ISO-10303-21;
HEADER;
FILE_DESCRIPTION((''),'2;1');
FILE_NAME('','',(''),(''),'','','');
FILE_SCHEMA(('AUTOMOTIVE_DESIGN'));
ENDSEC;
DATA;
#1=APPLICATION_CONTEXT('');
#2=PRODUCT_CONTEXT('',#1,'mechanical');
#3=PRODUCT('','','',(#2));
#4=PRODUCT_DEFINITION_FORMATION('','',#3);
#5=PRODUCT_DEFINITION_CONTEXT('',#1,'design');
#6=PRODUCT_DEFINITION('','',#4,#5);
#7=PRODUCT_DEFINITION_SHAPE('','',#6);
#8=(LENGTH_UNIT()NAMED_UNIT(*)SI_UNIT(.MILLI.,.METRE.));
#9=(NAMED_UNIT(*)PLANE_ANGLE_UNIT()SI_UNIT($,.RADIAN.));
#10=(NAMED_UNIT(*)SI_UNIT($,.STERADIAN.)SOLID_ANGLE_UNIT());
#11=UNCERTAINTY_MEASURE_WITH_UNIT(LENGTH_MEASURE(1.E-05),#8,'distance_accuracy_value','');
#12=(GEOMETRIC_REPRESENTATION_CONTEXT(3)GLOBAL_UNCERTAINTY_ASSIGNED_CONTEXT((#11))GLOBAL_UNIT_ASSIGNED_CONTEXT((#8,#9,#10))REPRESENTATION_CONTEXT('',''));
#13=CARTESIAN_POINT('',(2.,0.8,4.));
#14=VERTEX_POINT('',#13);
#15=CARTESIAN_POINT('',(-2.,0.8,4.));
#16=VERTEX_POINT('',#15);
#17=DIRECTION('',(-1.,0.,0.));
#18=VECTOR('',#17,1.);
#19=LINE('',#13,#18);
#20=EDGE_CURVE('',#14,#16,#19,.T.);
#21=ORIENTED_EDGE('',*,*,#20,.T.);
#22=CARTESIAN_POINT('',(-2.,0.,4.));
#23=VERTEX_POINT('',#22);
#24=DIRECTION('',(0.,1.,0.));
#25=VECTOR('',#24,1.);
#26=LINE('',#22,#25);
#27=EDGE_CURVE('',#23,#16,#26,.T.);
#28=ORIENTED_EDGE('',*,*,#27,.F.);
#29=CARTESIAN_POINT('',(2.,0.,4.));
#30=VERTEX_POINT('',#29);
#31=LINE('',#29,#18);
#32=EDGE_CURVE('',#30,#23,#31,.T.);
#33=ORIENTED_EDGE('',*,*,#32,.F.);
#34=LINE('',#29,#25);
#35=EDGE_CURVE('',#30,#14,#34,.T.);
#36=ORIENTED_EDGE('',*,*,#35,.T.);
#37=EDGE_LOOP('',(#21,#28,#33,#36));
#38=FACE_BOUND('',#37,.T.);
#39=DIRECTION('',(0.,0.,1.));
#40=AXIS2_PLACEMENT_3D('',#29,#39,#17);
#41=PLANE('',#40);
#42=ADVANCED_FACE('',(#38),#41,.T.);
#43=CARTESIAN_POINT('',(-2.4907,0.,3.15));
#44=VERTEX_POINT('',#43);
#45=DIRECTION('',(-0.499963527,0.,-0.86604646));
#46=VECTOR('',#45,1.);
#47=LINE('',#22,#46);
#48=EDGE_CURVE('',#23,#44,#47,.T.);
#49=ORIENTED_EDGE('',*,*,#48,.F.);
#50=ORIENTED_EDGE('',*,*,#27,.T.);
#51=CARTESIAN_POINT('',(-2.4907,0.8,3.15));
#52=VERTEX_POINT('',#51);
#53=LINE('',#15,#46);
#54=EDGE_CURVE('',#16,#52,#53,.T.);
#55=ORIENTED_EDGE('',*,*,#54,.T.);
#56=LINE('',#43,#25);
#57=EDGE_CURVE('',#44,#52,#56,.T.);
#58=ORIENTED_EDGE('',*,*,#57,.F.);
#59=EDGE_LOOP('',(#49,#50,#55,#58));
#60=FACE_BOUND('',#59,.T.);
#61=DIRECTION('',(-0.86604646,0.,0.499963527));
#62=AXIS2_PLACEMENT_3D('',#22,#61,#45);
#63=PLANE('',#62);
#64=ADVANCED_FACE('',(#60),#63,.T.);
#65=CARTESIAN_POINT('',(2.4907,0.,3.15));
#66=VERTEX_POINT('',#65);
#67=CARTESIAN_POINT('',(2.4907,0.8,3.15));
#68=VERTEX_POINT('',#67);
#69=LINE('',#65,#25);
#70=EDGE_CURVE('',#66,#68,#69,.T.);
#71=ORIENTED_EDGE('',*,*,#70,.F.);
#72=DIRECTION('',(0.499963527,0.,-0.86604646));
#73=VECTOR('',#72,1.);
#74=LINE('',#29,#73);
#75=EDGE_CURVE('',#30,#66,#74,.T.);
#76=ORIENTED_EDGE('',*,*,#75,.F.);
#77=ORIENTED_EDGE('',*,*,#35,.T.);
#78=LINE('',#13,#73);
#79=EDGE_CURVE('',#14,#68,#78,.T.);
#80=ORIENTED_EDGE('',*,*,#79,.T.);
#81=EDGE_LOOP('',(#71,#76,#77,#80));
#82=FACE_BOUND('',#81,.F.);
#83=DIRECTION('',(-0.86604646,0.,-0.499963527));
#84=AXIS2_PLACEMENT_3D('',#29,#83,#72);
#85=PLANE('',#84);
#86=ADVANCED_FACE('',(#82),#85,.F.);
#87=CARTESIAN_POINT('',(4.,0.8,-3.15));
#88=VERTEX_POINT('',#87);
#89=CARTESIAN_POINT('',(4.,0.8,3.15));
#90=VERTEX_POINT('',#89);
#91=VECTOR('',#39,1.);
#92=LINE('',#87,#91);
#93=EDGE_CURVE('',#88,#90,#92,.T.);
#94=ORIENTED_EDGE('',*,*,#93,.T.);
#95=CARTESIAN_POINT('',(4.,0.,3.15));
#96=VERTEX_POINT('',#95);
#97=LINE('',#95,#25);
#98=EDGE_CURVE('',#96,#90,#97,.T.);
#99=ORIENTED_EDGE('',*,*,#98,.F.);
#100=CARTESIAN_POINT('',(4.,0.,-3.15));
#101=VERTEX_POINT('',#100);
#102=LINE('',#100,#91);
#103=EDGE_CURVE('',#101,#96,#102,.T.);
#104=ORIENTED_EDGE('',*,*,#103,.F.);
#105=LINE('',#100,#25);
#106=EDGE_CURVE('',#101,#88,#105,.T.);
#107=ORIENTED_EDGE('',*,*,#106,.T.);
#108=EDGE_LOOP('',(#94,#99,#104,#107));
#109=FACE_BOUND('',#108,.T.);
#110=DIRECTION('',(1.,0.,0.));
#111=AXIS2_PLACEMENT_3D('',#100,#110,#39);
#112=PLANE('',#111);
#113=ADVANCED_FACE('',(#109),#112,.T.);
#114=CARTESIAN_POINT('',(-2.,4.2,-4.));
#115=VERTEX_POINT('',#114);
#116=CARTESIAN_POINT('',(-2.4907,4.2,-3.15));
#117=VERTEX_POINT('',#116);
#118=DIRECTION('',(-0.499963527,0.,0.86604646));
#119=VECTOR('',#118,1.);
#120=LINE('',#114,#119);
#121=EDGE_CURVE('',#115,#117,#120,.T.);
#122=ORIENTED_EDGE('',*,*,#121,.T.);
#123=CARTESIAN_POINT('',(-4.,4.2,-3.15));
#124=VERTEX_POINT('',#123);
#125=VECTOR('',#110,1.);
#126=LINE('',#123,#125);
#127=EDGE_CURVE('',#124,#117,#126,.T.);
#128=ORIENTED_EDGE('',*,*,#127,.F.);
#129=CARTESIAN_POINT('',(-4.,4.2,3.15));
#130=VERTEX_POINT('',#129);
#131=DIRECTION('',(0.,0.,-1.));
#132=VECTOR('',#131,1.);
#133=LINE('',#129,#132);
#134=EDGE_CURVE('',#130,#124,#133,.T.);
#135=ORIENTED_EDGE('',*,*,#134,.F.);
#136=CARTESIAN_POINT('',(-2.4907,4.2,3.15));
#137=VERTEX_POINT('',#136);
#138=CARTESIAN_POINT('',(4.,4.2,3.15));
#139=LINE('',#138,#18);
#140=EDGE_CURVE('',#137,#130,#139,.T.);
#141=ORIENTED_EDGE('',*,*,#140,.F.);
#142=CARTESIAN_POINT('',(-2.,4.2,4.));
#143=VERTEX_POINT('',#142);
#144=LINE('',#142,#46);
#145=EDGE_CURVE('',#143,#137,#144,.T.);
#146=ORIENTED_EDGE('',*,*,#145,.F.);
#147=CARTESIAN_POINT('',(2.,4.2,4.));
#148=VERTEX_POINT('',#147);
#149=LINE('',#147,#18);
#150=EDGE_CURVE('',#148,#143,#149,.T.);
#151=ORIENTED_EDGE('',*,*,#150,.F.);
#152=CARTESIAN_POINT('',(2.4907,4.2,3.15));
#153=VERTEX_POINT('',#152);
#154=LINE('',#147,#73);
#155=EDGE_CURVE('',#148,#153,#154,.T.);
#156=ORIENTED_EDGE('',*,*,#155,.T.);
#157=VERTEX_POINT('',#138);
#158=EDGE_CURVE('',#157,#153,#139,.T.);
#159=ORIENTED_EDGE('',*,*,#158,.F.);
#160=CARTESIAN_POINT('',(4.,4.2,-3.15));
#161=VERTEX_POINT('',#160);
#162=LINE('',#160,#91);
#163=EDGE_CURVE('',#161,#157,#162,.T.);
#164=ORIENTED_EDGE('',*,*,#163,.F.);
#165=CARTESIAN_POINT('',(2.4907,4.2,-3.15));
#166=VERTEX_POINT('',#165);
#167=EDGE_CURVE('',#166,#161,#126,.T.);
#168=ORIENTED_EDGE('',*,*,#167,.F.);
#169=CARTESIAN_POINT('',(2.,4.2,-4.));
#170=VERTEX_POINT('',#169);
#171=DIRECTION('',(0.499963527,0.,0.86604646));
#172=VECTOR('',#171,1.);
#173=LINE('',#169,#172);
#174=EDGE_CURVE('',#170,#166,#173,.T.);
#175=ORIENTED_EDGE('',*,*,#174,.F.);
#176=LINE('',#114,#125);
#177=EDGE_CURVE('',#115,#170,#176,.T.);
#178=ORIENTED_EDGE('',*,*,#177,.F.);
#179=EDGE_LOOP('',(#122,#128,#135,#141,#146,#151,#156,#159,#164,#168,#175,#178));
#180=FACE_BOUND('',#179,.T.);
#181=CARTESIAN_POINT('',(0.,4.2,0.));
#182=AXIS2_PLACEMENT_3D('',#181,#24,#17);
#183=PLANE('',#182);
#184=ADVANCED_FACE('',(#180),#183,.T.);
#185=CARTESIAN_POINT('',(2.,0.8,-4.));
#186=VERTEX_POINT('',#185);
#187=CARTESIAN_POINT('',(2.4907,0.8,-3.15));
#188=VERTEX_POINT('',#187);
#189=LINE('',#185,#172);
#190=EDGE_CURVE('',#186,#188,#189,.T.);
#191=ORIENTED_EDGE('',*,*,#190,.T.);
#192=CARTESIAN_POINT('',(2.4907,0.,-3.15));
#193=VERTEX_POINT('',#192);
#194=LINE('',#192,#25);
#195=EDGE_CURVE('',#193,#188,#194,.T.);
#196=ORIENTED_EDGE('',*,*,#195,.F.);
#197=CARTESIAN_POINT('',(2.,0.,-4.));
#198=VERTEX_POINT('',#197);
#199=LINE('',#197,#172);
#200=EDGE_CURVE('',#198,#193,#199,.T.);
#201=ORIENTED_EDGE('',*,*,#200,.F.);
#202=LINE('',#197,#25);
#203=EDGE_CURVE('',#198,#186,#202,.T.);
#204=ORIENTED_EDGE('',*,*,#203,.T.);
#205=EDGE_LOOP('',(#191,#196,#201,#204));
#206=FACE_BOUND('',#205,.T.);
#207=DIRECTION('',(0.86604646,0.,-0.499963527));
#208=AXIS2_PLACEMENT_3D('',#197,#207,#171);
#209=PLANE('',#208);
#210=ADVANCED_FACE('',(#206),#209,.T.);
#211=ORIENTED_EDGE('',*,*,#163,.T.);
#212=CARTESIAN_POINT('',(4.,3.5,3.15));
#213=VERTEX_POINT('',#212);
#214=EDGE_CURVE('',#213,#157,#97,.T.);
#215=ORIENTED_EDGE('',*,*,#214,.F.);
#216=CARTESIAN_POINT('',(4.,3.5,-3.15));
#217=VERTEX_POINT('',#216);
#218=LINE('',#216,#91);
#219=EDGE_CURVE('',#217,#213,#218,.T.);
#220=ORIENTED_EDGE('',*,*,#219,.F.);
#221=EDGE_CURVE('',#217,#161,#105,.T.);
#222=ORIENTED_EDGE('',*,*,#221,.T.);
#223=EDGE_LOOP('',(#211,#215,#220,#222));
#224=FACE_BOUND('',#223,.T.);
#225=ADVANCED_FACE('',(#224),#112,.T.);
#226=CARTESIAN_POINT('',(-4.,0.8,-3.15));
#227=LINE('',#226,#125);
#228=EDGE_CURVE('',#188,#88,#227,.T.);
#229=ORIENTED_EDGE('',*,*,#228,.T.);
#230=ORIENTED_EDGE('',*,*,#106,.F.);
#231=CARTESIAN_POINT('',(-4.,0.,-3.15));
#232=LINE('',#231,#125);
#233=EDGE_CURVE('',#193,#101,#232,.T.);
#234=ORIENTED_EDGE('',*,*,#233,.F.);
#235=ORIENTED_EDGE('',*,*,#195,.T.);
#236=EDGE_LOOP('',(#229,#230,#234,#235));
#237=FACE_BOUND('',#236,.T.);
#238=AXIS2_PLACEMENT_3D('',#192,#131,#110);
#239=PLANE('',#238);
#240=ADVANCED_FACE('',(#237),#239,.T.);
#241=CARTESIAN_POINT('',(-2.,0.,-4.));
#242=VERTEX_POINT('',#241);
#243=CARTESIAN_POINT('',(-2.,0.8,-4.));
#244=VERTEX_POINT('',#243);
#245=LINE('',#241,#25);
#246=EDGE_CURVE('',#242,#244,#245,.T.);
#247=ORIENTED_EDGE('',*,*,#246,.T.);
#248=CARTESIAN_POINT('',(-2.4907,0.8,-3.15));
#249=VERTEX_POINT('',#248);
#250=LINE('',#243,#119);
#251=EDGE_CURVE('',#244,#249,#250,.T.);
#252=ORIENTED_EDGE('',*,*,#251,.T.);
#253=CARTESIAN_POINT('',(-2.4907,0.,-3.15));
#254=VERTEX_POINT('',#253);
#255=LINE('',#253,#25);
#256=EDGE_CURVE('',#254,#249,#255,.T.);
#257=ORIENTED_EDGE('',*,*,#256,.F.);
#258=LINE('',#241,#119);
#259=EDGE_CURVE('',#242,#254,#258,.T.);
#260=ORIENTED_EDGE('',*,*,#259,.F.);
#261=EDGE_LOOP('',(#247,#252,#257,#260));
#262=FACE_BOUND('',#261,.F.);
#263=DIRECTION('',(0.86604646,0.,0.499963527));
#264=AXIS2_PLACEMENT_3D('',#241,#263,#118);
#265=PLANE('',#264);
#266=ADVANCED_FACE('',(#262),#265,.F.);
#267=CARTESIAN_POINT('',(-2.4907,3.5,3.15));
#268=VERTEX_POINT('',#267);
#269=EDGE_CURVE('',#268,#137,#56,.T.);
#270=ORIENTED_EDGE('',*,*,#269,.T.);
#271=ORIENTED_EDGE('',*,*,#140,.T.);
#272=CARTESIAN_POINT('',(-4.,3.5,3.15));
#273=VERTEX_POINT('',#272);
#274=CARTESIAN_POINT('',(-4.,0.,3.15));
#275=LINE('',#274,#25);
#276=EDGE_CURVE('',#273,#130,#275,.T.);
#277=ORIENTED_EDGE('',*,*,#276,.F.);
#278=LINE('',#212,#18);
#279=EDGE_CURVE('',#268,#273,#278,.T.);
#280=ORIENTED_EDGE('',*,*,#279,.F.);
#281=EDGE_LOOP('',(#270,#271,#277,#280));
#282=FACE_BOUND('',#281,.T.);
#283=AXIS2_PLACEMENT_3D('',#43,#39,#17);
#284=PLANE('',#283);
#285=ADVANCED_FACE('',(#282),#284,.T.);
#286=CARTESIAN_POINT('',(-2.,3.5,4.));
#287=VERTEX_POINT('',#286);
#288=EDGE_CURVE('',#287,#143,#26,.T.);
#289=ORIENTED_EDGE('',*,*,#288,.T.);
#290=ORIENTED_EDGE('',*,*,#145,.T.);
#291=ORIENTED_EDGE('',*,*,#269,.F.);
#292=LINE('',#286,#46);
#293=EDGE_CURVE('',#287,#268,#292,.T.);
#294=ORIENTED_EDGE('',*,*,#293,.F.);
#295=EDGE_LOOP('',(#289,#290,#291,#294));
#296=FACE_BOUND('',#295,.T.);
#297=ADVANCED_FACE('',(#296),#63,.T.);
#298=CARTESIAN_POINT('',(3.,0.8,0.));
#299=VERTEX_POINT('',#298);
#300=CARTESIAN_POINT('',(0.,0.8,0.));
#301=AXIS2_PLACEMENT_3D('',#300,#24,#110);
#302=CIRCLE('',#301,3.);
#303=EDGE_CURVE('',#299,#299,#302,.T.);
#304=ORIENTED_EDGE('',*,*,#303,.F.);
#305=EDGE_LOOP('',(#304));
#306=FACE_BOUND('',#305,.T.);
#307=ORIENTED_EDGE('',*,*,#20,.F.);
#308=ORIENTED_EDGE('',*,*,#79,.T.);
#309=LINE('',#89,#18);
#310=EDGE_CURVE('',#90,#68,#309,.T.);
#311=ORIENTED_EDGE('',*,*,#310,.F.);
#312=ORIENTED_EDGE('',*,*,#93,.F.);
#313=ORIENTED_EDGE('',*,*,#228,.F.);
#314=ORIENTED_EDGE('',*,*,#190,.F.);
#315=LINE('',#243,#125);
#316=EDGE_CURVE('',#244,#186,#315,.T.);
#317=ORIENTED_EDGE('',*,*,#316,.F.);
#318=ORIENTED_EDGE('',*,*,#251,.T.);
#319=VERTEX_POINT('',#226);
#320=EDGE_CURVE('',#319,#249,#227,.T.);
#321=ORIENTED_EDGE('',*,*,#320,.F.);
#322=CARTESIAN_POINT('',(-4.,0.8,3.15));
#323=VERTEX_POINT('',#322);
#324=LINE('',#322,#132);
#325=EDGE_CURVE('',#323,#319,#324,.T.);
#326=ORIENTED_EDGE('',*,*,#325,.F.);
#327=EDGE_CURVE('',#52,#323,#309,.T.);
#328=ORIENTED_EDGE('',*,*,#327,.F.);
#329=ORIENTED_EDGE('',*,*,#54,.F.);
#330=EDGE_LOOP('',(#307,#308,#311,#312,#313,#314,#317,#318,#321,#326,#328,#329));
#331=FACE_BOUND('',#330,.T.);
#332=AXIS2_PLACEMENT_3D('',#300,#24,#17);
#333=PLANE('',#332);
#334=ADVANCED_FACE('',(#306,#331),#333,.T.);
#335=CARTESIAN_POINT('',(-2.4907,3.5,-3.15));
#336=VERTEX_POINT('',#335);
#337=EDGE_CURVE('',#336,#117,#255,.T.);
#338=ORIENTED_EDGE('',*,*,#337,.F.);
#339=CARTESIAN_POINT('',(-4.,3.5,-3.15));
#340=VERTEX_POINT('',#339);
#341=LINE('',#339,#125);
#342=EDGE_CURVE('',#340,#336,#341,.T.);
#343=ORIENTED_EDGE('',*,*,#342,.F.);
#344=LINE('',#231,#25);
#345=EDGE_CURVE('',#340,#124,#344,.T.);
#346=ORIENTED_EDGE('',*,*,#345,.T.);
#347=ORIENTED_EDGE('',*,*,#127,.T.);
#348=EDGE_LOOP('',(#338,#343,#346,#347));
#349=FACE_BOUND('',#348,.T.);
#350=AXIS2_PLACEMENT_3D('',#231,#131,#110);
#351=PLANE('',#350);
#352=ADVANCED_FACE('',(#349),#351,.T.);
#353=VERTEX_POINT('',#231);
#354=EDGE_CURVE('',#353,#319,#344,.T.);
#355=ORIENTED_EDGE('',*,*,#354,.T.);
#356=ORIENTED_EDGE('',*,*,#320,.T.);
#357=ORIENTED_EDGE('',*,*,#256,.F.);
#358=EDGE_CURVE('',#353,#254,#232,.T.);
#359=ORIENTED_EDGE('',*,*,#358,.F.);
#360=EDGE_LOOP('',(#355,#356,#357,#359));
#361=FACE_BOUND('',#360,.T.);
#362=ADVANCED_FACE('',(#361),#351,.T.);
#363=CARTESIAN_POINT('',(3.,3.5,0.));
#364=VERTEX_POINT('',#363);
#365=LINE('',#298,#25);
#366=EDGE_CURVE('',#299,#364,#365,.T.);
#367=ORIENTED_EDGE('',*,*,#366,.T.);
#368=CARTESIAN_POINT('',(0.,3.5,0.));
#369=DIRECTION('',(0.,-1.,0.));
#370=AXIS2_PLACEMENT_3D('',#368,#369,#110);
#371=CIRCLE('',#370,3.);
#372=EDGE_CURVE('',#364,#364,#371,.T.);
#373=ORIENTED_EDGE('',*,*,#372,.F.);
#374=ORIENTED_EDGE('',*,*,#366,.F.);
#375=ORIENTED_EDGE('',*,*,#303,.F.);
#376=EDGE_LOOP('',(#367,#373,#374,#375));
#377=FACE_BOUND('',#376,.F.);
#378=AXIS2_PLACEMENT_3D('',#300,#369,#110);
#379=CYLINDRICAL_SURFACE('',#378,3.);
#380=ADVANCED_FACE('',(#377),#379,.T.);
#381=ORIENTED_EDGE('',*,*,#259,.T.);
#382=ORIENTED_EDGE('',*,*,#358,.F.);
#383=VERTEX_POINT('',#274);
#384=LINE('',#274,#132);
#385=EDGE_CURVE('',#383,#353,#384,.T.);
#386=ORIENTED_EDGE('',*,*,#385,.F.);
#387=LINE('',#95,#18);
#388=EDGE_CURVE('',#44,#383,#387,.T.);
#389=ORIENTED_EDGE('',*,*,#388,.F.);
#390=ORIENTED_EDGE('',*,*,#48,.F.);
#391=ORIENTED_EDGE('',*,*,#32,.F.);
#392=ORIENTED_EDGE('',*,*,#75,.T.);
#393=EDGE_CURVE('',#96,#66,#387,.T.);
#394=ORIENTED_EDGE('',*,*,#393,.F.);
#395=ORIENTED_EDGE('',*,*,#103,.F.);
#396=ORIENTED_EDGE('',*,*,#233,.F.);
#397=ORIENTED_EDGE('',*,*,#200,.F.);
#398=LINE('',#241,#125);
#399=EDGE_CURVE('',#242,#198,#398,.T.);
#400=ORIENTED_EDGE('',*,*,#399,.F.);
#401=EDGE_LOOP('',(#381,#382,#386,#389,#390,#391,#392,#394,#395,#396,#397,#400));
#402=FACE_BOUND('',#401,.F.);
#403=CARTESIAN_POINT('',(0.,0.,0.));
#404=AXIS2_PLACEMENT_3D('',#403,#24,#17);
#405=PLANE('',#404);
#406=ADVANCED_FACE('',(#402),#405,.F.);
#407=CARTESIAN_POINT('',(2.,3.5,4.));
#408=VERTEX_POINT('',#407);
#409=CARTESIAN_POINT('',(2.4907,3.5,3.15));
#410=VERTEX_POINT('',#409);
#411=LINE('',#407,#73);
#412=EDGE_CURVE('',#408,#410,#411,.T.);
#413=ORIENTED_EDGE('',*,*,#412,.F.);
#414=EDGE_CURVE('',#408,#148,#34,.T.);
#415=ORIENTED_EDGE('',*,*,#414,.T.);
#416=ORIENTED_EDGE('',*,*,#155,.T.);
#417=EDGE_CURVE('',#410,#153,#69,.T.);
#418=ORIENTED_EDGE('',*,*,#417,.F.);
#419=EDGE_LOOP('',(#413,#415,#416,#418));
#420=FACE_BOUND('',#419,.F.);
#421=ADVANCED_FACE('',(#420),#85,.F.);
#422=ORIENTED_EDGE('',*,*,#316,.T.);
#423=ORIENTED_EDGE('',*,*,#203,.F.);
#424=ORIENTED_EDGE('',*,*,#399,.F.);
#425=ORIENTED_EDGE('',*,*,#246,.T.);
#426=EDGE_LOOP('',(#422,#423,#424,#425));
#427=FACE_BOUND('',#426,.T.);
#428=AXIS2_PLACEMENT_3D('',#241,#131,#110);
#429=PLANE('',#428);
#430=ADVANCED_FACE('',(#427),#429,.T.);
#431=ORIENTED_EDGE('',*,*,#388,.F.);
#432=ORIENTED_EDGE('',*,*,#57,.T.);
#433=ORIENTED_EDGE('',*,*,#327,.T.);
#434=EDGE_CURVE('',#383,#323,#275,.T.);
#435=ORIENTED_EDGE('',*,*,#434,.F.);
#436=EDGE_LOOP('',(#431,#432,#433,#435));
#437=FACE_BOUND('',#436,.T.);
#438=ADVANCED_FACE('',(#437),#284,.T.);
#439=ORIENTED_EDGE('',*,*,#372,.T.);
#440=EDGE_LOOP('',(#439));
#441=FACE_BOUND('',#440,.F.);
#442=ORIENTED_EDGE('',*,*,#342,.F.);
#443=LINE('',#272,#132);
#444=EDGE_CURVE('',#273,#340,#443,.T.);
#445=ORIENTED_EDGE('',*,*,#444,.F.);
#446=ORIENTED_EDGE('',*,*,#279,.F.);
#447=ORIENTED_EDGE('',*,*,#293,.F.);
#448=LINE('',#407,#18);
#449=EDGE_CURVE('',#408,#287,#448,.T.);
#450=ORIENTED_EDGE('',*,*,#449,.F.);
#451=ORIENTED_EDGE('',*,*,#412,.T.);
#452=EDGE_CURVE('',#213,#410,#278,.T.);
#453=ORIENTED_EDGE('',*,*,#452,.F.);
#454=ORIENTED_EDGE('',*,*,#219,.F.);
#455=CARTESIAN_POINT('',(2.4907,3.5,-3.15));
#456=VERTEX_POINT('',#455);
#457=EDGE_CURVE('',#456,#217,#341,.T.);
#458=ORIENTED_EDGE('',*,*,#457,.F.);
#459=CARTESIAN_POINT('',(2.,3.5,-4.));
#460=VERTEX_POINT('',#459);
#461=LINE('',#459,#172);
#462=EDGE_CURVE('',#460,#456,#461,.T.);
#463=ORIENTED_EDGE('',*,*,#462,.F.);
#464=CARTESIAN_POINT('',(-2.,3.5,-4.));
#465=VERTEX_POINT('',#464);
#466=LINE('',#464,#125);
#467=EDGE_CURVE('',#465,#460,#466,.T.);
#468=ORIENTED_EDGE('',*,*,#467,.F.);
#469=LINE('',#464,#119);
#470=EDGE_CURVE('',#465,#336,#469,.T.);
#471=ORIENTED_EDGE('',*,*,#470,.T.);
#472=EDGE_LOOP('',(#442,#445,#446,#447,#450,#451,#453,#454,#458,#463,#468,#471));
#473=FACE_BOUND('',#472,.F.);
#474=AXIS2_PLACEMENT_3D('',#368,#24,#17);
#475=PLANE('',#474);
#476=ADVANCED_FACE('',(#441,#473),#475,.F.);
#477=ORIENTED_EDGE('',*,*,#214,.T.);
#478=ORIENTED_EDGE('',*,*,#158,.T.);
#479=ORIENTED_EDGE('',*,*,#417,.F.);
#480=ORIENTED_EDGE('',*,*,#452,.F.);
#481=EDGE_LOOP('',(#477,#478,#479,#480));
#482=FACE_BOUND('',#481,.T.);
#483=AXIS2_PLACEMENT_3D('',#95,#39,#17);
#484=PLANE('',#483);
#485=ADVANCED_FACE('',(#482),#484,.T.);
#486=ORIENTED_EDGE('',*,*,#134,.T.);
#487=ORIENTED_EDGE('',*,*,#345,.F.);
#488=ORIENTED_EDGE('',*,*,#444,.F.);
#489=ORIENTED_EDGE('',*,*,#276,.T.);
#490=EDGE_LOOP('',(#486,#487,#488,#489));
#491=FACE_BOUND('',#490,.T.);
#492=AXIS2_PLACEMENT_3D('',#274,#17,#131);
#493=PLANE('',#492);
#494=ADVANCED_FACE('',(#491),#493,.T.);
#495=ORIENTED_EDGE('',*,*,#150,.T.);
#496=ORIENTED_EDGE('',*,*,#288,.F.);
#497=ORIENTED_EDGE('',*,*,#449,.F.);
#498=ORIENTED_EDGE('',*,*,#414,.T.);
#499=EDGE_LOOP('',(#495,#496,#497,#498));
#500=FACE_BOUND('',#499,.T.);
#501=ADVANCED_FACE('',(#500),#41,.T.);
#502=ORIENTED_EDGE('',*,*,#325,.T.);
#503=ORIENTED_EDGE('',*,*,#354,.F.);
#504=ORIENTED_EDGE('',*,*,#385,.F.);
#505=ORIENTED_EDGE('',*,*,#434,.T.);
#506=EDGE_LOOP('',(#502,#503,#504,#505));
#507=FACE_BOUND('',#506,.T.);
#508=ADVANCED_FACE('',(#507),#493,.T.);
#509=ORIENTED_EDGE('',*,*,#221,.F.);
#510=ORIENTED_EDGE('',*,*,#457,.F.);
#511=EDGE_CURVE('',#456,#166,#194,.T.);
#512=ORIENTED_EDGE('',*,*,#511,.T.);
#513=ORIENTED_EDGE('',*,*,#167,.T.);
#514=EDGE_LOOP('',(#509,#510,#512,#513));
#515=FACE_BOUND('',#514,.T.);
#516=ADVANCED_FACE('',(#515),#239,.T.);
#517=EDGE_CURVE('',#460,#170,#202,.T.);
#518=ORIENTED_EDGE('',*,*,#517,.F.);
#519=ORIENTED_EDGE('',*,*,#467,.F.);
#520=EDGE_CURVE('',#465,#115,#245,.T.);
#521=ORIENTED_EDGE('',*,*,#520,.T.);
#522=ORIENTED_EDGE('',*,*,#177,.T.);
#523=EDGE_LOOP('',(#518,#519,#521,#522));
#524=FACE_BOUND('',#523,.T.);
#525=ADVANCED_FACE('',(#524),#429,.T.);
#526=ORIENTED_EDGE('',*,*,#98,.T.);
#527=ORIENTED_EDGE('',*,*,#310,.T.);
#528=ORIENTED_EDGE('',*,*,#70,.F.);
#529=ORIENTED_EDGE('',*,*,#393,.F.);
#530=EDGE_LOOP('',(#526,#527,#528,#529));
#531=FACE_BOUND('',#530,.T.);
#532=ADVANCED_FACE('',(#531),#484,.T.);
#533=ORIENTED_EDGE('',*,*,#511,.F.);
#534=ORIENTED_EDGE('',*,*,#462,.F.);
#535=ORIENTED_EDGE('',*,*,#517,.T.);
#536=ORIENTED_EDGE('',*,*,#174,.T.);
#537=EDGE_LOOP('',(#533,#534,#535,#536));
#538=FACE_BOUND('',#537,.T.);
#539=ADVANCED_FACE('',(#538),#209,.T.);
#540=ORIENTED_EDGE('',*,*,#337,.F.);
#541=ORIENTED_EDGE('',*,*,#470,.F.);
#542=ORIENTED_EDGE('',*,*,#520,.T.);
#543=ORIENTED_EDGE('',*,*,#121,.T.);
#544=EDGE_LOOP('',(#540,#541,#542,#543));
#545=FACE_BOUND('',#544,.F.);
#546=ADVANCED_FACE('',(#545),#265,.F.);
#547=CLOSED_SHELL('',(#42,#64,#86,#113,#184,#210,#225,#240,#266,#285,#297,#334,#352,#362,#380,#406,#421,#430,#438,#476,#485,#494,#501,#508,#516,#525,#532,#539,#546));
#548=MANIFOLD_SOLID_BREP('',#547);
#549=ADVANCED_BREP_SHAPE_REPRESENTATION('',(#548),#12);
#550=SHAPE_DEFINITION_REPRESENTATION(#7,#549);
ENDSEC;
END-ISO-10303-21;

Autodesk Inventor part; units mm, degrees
ref_plane "YZ Plane" through (0, 0, 0) normal (1, 0, 0) x (0, 1, 0)
ref_plane "XZ Plane" through (0, 0, 0) normal (0, 1, 0) x (-1, 0, 0)
ref_plane "XY Plane" through (0, 0, 0) normal (0, 0, 1) x (1, 0, 0)
sketch "Sketch1" plane through (0, 0, 0) normal (0, 1, 0) x (-1, 0, 0)
  line L0 (-4, 3.15) -> (4, 3.15)
  line L1 (4, 3.15) -> (4, -3.15)
  line L2 (4, -3.15) -> (-4, -3.15)
  line L3 (-4, -3.15) -> (-4, 3.15)
  line L4 (-4, 3.15) -> (4, -3.15) construction
  line L5 (4, 3.15) -> (-4, -3.15) construction
  line L6 (-2, 4) -> (2, 4)
  line L7 (2, 4) -> (2, -4)
  line L8 (2, -4) -> (-2, -4)
  line L9 (-2, -4) -> (-2, 4)
  line L10 (-2, 4) -> (2, -4) construction
  line L11 (2, 4) -> (-2, -4) construction
  line L12 (2, -4) -> (2.4907, -3.15)
  line L13 (2, -4) -> (2.9815, -4) construction
  line L14 (-2, -4) -> (-2.4907, -3.15)
  line L15 (-2, -4) -> (-1.0185, -4) construction
  line L16 (-2, 4) -> (-2.4907, 3.15)
  line L17 (-2, 4) -> (-1.0185, 4) construction
  line L18 (2, 4) -> (2.4907, 3.15)
  line L19 (2, 4) -> (2.9815, 4) construction
  point P0 (0, 0)
  dimension "d0" = 8
  dimension "d1" = 6.3
  dimension "d2" = 4
  dimension "d3" = 8
  dimension "d4" = 60
  dimension "d5" = 120
  dimension "d6" = 120
  dimension "d7" = 60
extrude "Extrusion1" add sketch "Sketch1" along normal blind 4.2
extrude "Extrusion2" cut sketch "Sketch1" along normal blind 3.5
extrude "Extrusion3" add sketch "Sketch1" along normal blind 0.8
sketch "Sketch2" plane through (0, 0.8, 0) normal (0, 1, 0) x (1, 0, 0)
  circle A0 centre (0, 0) radius 3
  dimension "d14" = 6
extrude "Extrusion4" add sketch "Sketch2" along normal up to next
properties part number "inductor"
